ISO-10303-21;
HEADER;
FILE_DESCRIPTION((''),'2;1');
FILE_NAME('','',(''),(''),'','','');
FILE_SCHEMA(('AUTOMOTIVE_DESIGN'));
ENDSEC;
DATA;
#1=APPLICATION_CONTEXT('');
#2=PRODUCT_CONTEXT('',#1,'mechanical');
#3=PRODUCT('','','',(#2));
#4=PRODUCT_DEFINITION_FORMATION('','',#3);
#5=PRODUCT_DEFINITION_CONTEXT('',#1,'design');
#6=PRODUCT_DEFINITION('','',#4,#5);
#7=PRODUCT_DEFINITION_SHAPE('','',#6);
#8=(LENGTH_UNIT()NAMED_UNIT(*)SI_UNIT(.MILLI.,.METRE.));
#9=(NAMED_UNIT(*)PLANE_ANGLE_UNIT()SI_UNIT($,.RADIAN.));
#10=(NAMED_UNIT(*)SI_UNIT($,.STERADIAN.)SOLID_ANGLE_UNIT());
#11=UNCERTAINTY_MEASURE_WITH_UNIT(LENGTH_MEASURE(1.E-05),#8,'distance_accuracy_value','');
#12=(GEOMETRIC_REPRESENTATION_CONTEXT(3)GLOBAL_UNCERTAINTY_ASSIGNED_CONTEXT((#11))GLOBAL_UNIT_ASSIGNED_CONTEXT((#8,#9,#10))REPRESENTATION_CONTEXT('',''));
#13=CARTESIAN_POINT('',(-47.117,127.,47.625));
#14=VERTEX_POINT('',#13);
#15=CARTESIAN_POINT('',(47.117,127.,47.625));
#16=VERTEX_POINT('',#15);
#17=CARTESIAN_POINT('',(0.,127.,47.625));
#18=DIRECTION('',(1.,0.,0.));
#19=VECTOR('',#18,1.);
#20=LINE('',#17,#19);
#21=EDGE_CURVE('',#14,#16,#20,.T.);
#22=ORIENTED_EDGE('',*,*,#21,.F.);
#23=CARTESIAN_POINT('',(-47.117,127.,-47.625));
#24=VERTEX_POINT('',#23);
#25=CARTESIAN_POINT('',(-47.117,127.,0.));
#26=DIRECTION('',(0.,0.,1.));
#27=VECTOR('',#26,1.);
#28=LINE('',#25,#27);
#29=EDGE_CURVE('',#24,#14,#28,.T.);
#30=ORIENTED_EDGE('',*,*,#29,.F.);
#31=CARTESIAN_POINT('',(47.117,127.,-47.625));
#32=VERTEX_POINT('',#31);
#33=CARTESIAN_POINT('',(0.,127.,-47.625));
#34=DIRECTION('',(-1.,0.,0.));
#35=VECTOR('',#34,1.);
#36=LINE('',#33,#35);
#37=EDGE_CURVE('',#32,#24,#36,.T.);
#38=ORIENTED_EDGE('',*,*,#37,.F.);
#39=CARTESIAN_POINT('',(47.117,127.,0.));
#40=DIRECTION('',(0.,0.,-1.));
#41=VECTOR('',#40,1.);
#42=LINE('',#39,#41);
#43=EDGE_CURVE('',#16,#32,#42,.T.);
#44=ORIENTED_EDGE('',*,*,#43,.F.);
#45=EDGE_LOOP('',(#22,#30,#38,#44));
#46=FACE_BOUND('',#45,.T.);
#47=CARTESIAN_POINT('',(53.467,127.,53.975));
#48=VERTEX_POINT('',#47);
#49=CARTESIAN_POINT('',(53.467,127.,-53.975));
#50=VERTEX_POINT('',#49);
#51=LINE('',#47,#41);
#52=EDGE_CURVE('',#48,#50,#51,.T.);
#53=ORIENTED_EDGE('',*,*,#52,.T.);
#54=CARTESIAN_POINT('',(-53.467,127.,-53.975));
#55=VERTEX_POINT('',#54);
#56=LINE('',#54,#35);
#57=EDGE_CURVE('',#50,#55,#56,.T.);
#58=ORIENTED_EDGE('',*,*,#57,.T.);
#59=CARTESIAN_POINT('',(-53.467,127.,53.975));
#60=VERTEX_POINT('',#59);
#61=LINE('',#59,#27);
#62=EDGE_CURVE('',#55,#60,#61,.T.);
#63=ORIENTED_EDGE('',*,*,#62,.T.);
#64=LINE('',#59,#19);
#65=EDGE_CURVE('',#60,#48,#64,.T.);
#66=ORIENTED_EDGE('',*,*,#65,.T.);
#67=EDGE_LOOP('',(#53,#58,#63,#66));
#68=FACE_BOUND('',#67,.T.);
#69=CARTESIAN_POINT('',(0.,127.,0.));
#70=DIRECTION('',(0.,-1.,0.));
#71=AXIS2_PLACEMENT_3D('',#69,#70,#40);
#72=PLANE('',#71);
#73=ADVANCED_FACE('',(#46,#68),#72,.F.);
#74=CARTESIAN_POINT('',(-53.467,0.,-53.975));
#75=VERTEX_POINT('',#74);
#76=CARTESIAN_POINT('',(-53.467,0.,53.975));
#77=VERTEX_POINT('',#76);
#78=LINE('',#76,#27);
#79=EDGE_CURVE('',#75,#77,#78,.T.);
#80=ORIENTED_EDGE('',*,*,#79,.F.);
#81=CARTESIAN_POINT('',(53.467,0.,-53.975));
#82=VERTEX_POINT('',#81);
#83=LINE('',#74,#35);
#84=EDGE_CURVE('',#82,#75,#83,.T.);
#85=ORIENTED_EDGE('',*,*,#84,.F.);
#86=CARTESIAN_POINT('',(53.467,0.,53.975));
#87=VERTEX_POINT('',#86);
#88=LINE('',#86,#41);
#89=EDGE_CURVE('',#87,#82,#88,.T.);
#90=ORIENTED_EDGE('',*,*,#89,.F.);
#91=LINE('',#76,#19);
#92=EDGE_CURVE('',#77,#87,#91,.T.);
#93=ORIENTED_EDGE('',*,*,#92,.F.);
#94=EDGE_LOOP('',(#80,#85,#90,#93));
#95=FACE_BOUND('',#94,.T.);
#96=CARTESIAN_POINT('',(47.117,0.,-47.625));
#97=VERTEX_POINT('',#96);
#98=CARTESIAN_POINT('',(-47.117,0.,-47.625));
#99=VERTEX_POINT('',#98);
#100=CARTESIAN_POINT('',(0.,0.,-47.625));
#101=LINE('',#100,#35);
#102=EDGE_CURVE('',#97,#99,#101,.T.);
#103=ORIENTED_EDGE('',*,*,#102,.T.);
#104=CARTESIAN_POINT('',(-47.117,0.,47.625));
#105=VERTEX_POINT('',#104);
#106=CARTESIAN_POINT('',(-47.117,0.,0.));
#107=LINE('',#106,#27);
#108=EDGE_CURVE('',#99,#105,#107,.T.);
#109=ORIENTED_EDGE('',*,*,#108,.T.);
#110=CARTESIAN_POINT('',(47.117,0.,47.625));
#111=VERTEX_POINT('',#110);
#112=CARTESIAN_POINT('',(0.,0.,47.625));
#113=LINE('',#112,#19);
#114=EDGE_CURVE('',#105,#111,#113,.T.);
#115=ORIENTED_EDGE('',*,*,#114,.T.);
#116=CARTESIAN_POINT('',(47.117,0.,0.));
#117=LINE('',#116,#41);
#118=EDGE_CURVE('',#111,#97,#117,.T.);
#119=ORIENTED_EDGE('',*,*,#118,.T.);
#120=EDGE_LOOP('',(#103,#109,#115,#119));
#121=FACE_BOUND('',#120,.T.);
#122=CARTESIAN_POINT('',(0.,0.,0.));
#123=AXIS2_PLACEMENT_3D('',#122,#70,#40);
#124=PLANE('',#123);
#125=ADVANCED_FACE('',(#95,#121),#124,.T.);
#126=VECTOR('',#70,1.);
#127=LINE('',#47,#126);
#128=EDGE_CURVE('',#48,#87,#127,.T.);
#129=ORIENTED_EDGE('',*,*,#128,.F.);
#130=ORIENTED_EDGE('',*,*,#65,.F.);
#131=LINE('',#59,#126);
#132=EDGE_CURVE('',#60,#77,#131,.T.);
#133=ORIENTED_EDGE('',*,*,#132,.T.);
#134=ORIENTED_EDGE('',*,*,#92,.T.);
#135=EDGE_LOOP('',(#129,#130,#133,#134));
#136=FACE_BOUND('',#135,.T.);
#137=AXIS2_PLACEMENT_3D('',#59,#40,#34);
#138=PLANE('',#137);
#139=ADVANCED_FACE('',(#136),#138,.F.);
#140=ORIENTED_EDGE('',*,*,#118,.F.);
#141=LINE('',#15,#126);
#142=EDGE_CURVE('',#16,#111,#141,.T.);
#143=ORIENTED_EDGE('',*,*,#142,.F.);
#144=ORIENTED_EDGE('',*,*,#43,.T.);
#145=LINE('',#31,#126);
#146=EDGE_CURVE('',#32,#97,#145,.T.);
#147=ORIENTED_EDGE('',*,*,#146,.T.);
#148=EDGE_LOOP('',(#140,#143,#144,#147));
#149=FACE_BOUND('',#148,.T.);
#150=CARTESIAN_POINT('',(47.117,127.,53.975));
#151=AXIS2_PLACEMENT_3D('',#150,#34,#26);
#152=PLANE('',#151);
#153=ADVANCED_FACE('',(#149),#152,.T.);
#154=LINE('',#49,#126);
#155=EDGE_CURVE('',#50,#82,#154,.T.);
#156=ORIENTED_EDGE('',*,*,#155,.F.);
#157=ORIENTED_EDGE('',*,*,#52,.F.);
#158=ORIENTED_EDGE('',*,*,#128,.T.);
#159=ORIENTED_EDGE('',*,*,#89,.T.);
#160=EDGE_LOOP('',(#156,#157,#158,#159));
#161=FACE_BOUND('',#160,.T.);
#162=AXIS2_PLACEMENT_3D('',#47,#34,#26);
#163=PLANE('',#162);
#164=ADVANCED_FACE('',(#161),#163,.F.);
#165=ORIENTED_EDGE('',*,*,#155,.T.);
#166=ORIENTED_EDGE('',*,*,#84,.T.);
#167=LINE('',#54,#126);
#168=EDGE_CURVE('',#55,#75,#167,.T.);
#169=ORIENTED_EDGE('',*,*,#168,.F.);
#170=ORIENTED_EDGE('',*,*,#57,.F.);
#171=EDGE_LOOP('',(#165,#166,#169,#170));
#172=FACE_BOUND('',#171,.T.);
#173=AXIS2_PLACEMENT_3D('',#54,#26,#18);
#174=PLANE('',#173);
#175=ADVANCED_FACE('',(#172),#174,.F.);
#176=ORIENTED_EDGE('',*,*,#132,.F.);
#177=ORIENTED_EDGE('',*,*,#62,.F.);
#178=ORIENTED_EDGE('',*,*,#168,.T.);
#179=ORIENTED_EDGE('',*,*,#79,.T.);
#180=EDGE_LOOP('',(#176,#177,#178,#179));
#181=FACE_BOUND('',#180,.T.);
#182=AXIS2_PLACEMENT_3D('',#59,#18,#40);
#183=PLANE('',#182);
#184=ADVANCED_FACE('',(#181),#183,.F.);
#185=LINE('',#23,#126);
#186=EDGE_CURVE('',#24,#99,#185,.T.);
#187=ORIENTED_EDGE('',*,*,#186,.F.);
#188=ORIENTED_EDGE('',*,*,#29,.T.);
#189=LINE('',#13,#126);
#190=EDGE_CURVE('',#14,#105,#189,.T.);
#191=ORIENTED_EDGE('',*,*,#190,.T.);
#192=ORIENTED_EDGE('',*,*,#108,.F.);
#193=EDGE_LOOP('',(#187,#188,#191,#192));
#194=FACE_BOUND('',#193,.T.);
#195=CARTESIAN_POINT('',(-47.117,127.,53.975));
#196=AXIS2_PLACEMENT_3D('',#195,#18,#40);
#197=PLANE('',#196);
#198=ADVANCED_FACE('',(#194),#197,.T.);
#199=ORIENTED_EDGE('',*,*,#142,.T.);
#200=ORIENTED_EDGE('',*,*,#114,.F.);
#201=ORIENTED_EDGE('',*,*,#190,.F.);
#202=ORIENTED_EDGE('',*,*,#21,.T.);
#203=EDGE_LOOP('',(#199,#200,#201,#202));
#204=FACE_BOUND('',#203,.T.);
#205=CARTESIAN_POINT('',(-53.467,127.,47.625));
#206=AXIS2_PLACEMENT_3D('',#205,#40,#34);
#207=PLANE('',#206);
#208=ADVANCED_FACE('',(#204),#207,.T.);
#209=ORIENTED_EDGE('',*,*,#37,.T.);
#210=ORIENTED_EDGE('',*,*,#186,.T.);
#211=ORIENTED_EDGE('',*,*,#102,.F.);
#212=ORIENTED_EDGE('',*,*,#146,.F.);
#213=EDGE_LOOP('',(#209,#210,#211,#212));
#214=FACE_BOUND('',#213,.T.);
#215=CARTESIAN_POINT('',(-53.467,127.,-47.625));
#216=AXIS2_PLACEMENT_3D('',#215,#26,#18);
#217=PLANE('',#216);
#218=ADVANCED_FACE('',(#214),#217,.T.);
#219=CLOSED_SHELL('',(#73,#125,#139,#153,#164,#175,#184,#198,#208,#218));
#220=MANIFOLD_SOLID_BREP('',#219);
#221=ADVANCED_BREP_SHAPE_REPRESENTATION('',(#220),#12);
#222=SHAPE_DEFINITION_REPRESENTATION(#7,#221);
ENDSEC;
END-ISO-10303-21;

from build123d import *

# Parameters (mm, degrees)
SKETCH2_W           = 106.934
SKETCH2_H           = 107.95
BOSS_EXTRUDE1_DEPTH = 127
SHELL1_T            = -6.35


with BuildPart() as part:
    # Sketch2 → Boss-Extrude1 (new body)
    with BuildSketch(Plane(origin=(0, 0, 0), x_dir=(1, 0, 0), z_dir=(0, 1, 0))):
        Rectangle(SKETCH2_W, SKETCH2_H)
    extrude(amount=BOSS_EXTRUDE1_DEPTH)

    # Shell1
    shell1_openings = [part.faces().sort_by_distance(p)[0] for p in [
        (0, 127, 0),
        (0, 0, 0),
    ]]
    offset(amount=SHELL1_T, openings=shell1_openings, kind=Kind.INTERSECTION)


solid = part.part
